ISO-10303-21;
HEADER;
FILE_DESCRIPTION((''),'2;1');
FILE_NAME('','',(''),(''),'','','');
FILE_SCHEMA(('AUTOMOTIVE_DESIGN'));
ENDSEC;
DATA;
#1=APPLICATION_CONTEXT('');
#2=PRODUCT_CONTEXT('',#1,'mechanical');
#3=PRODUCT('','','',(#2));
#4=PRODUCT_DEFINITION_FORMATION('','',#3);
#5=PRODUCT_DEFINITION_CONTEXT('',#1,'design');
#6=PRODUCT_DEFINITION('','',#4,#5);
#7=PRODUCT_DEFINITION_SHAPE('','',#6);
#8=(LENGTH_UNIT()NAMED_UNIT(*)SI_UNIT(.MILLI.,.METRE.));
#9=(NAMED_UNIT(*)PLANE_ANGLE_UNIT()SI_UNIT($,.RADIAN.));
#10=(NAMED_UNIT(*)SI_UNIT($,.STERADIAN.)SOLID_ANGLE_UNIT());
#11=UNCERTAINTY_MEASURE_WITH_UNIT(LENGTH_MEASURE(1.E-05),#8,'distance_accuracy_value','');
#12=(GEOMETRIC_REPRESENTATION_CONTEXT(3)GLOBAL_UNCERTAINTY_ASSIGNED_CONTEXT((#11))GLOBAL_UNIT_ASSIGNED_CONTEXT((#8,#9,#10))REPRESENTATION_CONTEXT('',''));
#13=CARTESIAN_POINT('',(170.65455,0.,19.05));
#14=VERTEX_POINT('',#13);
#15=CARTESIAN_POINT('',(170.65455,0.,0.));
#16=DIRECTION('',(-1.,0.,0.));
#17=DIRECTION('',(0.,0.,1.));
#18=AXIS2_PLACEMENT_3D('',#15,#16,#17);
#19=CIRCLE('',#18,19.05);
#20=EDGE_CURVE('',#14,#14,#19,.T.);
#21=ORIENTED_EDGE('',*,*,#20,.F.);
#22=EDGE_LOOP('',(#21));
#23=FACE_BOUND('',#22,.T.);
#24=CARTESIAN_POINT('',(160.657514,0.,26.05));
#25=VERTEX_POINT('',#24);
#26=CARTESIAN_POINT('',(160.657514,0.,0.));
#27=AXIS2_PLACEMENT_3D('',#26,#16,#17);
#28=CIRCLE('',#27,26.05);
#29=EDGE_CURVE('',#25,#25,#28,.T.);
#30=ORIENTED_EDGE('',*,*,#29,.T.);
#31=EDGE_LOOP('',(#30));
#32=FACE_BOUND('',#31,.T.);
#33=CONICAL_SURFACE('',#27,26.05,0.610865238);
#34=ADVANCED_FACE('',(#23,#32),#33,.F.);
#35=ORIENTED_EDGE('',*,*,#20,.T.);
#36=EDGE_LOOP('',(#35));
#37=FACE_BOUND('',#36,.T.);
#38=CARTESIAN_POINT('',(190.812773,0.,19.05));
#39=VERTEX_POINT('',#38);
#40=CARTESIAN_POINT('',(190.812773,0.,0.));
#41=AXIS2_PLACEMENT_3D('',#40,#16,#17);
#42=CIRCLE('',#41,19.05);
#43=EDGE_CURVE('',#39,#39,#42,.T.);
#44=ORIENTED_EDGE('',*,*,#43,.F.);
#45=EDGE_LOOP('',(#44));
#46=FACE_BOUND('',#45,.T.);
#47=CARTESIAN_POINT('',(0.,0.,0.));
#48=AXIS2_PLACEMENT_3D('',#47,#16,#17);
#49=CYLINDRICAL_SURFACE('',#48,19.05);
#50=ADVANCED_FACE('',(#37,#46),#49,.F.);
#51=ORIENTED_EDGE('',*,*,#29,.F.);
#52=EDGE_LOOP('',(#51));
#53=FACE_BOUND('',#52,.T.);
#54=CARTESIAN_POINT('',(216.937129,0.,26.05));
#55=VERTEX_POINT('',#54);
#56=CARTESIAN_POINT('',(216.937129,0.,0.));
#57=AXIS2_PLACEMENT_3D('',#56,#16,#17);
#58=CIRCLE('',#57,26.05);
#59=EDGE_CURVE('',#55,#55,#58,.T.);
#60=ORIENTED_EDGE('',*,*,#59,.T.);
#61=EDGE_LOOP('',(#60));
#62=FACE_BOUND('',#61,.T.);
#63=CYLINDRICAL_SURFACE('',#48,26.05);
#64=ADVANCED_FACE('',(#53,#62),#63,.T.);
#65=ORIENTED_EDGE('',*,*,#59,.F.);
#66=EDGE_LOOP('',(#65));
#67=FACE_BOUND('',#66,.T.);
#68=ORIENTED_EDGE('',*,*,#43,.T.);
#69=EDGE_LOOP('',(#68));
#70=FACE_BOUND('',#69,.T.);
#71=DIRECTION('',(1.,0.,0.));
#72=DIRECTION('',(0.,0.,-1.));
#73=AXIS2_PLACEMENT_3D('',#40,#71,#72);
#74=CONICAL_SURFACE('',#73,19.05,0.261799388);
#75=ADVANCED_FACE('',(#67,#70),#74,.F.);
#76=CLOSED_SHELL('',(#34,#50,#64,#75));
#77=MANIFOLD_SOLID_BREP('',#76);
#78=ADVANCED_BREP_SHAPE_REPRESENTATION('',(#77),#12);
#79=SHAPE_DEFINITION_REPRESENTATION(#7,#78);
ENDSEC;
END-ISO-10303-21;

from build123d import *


with BuildPart() as part:
    # Sketch1 → Revolve1 (revolve)
    with BuildSketch(Plane.XY, mode=Mode.PRIVATE) as revolve1_sk:
        Polygon((160.657513694, 26.05), (216.937128562, 26.05), (190.812772909, 19.05), (170.654549742, 19.05), align=None)
    revolve(revolve1_sk.sketch.rotate(Axis((0, 0, 0), (1, 0, 0)), 90), axis=Axis((0, 0, 0), (1, 0, 0)))


solid = part.part
